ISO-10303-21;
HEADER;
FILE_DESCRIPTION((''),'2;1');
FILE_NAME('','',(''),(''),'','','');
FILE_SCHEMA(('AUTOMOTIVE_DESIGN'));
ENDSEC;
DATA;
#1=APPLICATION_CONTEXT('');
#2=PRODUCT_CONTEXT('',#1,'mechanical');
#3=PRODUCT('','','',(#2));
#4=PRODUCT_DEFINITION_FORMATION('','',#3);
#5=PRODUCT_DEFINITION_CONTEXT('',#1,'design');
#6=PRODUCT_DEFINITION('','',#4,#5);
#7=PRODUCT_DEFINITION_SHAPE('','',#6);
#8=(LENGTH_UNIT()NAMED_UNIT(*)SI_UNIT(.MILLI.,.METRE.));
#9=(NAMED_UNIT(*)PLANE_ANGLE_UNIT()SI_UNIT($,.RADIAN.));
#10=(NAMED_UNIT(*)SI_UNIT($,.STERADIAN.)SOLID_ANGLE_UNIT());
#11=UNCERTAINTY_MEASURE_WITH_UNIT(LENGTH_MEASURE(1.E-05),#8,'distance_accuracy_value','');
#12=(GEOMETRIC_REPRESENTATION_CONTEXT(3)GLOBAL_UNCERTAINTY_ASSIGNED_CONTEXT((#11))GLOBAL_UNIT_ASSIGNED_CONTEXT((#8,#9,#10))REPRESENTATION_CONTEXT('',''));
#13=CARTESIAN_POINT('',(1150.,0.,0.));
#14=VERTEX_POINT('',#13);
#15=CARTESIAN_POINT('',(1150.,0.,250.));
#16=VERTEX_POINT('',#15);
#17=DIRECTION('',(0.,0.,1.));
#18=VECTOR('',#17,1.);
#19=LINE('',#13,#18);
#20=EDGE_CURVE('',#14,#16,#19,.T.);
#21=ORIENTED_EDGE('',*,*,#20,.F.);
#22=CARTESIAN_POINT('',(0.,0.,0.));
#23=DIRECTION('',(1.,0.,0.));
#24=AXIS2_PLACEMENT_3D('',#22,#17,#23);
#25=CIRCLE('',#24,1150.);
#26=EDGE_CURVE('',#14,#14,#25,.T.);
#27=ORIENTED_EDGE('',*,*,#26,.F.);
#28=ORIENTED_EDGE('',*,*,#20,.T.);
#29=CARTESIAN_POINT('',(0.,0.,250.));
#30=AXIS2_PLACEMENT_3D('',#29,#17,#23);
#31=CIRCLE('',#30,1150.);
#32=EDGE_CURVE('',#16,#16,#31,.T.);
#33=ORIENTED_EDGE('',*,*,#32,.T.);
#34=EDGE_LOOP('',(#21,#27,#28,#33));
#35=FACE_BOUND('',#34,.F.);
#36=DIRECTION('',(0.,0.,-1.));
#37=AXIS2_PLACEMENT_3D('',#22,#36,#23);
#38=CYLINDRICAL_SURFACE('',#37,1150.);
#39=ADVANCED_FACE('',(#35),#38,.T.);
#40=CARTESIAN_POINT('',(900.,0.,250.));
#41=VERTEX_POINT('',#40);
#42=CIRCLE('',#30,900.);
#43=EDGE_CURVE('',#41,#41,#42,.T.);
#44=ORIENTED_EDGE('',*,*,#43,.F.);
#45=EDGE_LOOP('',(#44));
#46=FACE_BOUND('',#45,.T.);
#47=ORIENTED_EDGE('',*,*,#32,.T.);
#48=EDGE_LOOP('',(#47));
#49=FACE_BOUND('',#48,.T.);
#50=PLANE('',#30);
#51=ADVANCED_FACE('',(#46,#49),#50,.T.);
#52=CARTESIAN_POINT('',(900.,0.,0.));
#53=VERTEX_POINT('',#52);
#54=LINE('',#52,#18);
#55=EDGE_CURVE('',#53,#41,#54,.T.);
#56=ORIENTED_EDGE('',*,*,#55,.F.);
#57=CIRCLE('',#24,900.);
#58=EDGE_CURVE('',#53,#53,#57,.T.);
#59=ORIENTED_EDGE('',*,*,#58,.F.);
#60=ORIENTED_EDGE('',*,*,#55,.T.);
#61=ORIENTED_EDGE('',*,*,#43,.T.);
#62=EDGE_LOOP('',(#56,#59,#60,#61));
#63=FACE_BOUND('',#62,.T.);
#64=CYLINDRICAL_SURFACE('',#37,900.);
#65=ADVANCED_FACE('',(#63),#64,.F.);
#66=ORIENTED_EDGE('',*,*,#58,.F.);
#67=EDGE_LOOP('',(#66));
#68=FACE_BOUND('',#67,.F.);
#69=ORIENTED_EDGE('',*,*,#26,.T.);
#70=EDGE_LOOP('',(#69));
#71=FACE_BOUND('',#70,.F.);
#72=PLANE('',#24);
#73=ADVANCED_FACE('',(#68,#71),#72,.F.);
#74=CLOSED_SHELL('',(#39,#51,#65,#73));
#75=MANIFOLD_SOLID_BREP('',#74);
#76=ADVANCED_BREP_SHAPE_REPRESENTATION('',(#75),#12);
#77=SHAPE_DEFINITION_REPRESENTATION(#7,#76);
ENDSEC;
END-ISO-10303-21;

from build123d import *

# Parameters (mm, degrees)
CYLINDER001_R     = 900
CYLINDER001_DEPTH = 250
CYLINDER_R        = 1150
CYLINDER_DEPTH    = 250


with BuildPart() as pbtorusinner:
    # Cylinder001 → Cylinder001 (new body)
    with BuildSketch(Plane.XY):
        Circle(CYLINDER001_R)
    extrude(amount=CYLINDER001_DEPTH)


with BuildPart() as pbtorus:
    # Cylinder → Cylinder (new body)
    with BuildSketch(Plane.XY):
        Circle(CYLINDER_R)
    extrude(amount=CYLINDER_DEPTH)

    # Cut: cut PbTorusInner
    add(pbtorusinner.part, mode=Mode.SUBTRACT)


solid = pbtorus.part
